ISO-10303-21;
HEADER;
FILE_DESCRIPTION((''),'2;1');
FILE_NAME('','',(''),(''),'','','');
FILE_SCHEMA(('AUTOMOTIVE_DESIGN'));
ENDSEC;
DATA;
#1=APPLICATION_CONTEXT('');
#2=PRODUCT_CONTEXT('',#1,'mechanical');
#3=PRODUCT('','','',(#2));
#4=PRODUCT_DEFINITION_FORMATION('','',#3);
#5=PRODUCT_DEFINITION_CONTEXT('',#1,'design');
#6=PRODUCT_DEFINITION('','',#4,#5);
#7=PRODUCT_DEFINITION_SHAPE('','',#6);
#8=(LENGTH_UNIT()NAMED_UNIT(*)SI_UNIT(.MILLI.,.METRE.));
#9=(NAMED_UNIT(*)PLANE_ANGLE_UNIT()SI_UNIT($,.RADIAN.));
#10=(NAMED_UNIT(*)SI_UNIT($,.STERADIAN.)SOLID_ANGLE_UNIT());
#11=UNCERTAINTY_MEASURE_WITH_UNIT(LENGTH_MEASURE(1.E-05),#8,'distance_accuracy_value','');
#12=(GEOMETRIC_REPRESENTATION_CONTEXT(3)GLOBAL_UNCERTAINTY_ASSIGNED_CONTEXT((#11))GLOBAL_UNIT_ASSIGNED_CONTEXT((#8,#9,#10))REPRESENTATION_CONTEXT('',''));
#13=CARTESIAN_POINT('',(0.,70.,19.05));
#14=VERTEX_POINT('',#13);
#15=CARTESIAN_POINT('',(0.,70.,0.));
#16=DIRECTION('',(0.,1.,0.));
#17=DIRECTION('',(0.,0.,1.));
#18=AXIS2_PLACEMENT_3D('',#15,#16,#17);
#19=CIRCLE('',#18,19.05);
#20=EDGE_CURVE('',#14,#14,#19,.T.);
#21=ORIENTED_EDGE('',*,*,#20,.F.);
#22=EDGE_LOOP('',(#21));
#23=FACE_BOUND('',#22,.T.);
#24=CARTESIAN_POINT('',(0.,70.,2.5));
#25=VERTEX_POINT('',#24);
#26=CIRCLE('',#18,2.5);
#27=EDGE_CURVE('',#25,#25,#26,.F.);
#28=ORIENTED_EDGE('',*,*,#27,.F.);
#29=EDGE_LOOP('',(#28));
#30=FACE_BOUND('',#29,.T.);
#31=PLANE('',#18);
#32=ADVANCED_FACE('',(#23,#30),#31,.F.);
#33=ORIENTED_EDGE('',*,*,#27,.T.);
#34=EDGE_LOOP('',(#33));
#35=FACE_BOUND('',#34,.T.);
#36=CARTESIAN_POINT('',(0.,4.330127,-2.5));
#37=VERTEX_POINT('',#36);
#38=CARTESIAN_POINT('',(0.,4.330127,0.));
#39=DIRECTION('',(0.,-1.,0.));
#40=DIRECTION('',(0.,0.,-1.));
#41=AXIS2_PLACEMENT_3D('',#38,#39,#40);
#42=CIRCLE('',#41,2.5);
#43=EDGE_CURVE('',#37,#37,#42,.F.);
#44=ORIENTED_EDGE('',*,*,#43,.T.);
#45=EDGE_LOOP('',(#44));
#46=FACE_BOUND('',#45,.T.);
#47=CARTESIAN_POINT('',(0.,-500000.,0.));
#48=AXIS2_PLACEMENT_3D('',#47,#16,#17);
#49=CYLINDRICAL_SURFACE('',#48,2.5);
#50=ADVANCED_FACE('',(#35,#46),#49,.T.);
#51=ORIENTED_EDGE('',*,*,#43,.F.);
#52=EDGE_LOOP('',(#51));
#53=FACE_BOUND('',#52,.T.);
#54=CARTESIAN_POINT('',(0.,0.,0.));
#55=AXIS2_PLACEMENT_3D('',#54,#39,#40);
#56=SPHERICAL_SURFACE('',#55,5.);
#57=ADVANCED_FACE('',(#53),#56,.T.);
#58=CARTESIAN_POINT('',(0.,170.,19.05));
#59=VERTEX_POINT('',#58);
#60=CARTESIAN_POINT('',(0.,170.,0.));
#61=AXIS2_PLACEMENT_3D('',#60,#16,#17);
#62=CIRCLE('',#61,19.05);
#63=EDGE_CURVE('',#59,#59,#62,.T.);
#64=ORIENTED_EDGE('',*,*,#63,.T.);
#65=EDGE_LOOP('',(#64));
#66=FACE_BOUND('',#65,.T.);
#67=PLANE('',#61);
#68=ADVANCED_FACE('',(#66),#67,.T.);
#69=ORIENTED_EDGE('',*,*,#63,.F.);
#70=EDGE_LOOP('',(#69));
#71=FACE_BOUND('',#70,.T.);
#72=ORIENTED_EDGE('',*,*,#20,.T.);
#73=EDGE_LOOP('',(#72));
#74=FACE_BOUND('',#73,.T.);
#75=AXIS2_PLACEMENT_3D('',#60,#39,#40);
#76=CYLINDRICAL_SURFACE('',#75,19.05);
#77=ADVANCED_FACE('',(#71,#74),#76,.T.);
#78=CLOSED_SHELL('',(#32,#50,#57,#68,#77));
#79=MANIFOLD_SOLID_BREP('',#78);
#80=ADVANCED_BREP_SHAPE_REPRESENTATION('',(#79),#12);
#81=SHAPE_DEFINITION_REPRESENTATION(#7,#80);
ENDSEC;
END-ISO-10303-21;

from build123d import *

# Parameters (mm, degrees)
SKETCH1_R                = 19.05
BOSS_EXTRUDE1_DEPTH      = 100
BOSS_EXTRUDE2_REACH      = 105.565
BOSS_EXTRUDE2_END_RADIUS = 5
SKETCH3_R                = 2.5


with BuildPart() as part:
    # Sketch1 → Boss-Extrude1 (new body)
    with BuildSketch(Plane(origin=(0, 70, 0), x_dir=(-1, 0, 0), z_dir=(0, 1, 0))):
        with Locations(Location((0, 0, 0), (0, 0, 90))):
            Circle(SKETCH1_R)
    extrude(amount=BOSS_EXTRUDE1_DEPTH)



with BuildPart() as body_2:
    # Sketch2 → Revolve1 (revolve)
    with BuildSketch(Plane(origin=(0, 0, 0), x_dir=(1, 0, 0), z_dir=(0, 1, 0))):
        with BuildLine():
            Line((-5, 0), (5, 0))
            ThreePointArc((5, 0), (0, -5), (-5, 0))
        make_face()
    revolve(axis=Axis((-5, 0, 0), (1, 0, 0)))


with BuildPart() as part_1:
    add(part.part)

    add(body_2.part)  # Boss-Extrude2 merges body 2
    # Boss-Extrude2: up to this sphere (the profile starts outside it)
    boss_extrude2_end = Location((0, 0, 0)) * Sphere(BOSS_EXTRUDE2_END_RADIUS, mode=Mode.PRIVATE)
    # Sketch3 → Boss-Extrude2 (add, up to the surface)
    with BuildSketch(Plane.XZ.offset(-70), mode=Mode.PRIVATE) as boss_extrude2_sk1:
        with Locations(Location((0, 0, 0), (0, 0, 90))):
            Circle(SKETCH3_R)
    boss_extrude2_tool1 = extrude(boss_extrude2_sk1.sketch, amount=BOSS_EXTRUDE2_REACH, mode=Mode.PRIVATE) - boss_extrude2_end
    add(boss_extrude2_tool1.solids().sort_by_distance((0, 70, 0))[0])


solid = part_1.part
